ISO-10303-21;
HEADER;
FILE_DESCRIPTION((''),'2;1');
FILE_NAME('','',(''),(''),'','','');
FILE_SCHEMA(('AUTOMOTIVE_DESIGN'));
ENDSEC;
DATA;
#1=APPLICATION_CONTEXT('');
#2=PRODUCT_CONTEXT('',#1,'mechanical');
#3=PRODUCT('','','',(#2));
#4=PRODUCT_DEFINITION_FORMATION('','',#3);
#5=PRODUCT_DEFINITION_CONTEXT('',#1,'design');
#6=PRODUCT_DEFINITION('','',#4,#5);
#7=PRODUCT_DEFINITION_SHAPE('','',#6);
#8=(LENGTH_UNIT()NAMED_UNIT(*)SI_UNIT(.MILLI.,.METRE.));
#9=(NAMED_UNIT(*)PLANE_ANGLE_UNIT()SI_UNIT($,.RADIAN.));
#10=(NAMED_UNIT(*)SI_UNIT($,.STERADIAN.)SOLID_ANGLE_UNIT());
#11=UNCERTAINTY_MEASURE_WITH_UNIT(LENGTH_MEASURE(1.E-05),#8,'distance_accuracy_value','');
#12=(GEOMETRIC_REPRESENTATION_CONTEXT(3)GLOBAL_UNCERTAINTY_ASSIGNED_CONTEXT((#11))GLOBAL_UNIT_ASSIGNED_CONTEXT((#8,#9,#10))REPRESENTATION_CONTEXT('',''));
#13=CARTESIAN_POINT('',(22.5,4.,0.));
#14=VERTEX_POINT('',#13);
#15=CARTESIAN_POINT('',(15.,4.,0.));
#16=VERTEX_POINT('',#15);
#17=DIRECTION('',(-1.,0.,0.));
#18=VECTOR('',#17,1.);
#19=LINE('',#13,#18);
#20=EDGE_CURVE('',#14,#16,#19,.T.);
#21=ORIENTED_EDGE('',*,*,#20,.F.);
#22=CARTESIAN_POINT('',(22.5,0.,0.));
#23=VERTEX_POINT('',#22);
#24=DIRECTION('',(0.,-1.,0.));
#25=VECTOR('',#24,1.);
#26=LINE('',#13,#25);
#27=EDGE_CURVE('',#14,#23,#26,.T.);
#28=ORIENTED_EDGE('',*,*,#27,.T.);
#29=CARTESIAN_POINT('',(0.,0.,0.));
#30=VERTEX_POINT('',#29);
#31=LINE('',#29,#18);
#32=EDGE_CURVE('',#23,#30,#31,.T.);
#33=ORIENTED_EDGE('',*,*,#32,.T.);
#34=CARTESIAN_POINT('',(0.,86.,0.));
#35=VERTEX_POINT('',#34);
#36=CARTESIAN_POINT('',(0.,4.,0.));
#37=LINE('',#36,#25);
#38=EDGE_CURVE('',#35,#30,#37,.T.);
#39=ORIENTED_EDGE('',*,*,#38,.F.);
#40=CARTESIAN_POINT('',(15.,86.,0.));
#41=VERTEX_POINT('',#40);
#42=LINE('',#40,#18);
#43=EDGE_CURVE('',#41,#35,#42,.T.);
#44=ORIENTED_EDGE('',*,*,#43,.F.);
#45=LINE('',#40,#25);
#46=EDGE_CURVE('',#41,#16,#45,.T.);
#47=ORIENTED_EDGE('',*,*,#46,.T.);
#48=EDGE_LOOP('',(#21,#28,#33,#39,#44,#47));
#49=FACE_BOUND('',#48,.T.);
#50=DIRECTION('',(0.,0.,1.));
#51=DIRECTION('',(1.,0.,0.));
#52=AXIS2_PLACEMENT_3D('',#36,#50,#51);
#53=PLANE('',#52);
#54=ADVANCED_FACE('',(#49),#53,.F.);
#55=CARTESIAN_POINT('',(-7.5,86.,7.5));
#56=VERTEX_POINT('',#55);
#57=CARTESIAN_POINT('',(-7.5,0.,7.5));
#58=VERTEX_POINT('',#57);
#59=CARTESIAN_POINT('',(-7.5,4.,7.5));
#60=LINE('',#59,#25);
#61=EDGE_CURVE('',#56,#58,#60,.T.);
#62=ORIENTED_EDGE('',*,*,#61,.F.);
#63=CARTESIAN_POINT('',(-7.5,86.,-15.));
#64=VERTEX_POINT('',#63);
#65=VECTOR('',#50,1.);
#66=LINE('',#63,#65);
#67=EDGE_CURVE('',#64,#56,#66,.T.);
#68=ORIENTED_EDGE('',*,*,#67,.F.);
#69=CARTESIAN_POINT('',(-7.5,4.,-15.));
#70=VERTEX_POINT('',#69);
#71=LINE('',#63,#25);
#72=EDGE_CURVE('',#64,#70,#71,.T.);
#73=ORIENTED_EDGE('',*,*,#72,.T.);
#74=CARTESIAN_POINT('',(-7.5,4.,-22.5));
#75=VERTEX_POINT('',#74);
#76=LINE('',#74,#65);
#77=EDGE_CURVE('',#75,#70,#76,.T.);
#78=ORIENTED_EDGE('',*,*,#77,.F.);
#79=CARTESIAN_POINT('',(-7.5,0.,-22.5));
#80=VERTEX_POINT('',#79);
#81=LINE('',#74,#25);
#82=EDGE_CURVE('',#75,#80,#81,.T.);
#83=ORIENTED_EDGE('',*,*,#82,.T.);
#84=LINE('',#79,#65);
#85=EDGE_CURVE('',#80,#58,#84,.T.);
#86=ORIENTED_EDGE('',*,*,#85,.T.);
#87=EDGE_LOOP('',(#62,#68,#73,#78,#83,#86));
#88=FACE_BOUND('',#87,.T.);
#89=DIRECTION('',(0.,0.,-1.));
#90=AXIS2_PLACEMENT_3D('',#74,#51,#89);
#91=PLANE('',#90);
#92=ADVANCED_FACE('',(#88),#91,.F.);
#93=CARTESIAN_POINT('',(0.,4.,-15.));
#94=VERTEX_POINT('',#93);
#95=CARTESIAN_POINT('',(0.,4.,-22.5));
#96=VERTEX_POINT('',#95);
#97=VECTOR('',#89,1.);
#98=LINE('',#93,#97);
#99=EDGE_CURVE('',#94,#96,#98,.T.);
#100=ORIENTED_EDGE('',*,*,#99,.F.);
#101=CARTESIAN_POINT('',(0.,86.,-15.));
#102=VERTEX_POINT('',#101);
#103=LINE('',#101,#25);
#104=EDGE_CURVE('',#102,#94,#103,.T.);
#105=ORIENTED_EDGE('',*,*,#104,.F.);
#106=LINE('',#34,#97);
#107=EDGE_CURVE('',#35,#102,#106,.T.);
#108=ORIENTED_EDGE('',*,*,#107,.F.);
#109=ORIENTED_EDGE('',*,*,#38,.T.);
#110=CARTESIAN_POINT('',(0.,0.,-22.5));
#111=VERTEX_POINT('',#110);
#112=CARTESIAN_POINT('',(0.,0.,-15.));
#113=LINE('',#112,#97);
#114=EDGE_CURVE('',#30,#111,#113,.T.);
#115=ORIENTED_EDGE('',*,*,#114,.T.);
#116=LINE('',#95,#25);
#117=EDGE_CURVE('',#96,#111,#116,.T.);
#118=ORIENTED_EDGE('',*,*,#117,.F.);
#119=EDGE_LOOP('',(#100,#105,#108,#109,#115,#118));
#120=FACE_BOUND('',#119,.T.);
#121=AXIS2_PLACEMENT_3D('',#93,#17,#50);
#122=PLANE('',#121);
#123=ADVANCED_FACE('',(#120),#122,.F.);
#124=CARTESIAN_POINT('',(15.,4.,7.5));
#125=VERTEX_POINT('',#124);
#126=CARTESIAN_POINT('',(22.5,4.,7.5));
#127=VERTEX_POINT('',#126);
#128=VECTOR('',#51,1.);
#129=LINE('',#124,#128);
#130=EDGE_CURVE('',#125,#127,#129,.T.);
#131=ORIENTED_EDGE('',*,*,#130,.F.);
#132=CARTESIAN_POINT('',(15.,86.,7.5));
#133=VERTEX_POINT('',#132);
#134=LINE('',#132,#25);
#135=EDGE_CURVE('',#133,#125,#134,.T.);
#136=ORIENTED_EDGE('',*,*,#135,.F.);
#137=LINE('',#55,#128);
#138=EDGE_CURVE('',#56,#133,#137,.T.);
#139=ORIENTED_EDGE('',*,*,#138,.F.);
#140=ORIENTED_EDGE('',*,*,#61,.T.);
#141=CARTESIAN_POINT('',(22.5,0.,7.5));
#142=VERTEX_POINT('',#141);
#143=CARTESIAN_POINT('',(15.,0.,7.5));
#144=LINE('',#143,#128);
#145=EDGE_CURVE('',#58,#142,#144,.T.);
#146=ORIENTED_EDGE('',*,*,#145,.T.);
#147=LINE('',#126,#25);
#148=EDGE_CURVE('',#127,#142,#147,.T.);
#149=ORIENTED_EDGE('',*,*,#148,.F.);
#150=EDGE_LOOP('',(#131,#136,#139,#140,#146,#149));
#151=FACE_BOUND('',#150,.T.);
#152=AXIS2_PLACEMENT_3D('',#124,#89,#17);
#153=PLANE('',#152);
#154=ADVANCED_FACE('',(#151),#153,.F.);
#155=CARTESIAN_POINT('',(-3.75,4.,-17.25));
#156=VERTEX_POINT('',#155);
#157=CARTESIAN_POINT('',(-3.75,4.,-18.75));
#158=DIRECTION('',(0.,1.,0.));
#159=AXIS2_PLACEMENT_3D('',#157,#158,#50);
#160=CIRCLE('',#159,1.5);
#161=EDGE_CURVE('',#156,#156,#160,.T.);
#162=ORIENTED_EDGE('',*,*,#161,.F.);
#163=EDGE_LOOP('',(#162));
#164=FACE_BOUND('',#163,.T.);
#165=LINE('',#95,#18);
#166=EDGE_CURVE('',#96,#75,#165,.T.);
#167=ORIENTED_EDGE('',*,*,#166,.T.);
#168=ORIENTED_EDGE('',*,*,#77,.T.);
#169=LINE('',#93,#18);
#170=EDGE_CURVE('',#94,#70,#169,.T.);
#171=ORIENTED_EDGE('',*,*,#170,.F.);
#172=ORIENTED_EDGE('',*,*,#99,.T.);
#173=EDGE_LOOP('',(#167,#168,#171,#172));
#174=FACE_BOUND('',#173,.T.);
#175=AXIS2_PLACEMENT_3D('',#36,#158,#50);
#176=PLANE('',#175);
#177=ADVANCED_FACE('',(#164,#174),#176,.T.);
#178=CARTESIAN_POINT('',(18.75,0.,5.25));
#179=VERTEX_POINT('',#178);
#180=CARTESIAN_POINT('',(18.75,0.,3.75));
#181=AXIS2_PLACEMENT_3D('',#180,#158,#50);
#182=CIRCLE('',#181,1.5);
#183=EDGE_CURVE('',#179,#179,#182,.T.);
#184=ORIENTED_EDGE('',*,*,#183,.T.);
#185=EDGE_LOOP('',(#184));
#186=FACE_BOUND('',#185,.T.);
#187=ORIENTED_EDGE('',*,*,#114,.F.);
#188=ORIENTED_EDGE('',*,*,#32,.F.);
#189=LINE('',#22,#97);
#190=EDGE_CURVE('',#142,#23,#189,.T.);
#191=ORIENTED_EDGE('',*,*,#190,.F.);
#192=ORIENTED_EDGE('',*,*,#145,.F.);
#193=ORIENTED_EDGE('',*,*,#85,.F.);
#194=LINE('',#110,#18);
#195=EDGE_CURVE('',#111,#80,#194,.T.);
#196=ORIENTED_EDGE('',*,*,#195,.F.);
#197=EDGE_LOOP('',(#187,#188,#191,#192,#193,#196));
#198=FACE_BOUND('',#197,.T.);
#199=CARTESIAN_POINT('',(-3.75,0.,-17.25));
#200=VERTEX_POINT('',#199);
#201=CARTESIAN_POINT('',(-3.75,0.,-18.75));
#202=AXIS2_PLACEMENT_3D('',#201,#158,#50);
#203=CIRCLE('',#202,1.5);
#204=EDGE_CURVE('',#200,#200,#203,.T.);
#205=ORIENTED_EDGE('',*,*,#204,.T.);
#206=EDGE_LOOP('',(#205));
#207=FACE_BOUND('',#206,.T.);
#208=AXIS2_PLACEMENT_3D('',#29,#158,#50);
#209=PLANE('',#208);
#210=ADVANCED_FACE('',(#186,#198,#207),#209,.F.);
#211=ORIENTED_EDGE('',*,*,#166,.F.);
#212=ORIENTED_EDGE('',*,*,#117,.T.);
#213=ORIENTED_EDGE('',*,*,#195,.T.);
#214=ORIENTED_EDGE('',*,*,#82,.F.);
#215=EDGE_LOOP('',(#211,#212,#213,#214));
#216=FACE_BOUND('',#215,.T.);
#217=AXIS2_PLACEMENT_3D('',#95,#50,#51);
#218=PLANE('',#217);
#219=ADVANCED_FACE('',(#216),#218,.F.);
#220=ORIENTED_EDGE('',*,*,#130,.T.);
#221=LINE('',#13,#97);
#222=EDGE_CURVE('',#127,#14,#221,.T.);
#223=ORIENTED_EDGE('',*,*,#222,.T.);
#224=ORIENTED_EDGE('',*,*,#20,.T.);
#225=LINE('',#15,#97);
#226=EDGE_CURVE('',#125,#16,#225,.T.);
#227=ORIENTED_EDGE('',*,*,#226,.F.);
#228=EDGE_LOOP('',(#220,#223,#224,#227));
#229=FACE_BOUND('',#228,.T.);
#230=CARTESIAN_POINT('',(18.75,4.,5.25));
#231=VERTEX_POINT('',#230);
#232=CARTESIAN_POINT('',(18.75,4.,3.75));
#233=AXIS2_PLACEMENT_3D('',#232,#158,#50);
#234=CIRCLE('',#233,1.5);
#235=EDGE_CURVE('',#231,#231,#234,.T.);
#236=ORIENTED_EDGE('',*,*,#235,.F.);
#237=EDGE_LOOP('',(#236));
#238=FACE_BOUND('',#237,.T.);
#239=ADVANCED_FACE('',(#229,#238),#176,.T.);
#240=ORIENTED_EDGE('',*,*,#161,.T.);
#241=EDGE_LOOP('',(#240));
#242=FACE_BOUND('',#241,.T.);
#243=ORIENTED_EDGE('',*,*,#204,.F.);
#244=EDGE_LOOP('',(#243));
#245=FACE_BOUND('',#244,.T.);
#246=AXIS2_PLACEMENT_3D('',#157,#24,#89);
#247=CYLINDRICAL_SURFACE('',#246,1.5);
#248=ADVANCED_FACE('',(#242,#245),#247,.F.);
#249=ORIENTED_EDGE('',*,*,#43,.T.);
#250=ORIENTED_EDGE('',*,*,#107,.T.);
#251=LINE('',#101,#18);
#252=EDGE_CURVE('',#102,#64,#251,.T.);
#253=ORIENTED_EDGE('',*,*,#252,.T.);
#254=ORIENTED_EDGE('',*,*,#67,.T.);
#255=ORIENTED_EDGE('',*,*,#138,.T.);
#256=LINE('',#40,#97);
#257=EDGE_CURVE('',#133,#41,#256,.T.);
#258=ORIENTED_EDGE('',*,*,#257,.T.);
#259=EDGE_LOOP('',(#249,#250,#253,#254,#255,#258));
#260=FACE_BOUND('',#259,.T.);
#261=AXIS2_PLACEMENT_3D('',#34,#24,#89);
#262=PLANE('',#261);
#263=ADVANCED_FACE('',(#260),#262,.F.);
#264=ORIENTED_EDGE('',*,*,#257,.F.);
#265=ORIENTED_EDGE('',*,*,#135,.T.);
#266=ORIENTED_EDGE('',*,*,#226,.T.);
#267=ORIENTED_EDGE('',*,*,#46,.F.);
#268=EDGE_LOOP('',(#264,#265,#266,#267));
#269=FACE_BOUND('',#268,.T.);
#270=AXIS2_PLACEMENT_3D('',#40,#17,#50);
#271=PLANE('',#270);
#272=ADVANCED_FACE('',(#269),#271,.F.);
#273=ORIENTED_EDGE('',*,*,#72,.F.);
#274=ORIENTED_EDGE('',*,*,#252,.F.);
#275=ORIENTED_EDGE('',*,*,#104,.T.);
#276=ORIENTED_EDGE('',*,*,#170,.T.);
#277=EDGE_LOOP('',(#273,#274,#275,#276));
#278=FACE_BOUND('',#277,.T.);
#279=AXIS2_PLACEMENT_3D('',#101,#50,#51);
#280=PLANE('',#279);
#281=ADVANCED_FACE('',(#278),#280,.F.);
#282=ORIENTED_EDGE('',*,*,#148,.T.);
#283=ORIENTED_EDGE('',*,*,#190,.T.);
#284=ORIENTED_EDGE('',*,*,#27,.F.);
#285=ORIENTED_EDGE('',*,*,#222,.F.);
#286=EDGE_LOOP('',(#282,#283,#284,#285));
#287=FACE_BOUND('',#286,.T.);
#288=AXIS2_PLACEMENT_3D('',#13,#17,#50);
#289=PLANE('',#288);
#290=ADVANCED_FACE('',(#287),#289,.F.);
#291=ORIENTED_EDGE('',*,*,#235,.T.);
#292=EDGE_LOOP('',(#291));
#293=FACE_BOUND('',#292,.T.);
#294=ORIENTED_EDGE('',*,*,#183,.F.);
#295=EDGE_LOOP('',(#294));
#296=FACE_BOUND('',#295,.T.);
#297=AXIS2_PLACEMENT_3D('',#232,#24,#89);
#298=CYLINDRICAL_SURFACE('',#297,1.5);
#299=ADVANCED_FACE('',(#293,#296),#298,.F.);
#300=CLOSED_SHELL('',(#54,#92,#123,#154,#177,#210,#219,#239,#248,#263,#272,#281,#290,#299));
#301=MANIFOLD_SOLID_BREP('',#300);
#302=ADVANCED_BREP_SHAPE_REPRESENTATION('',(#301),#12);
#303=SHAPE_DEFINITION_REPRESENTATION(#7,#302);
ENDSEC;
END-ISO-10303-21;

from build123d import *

# Parameters (mm, degrees)
SKETCH1_R           = 1.5
BOSS_EXTRUDE1_DEPTH = 4
BOSS_EXTRUDE2_DEPTH = 82


with BuildPart() as part:
    # Sketch1 → Boss-Extrude1 (new body)
    with BuildSketch(Plane(origin=(0, 0, 0), x_dir=(1, 0, 0), z_dir=(0, 1, 0))):
        Polygon((0, 0), (15, 0), (22.5, 0), (22.5, -7.5), (15, -7.5), (-7.5, -7.5), (-7.5, 22.5), (0, 22.5), (0, 15), align=None)
        with Locations((-3.75, 18.75)):
            Circle(SKETCH1_R, mode=Mode.SUBTRACT)
        with Locations((18.75, -3.75)):
            Circle(SKETCH1_R, mode=Mode.SUBTRACT)
    extrude(amount=BOSS_EXTRUDE1_DEPTH)

    # Sketch3 → Boss-Extrude2 (add)
    with BuildSketch(Plane(origin=(0, 4, 0), x_dir=(1, 0, 0), z_dir=(0, 1, 0))):
        Polygon((0, 0), (0, 15), (-7.5, 15), (-7.5, -7.5), (15, -7.5), (15, 0), align=None)
    extrude(amount=BOSS_EXTRUDE2_DEPTH)


solid = part.part
